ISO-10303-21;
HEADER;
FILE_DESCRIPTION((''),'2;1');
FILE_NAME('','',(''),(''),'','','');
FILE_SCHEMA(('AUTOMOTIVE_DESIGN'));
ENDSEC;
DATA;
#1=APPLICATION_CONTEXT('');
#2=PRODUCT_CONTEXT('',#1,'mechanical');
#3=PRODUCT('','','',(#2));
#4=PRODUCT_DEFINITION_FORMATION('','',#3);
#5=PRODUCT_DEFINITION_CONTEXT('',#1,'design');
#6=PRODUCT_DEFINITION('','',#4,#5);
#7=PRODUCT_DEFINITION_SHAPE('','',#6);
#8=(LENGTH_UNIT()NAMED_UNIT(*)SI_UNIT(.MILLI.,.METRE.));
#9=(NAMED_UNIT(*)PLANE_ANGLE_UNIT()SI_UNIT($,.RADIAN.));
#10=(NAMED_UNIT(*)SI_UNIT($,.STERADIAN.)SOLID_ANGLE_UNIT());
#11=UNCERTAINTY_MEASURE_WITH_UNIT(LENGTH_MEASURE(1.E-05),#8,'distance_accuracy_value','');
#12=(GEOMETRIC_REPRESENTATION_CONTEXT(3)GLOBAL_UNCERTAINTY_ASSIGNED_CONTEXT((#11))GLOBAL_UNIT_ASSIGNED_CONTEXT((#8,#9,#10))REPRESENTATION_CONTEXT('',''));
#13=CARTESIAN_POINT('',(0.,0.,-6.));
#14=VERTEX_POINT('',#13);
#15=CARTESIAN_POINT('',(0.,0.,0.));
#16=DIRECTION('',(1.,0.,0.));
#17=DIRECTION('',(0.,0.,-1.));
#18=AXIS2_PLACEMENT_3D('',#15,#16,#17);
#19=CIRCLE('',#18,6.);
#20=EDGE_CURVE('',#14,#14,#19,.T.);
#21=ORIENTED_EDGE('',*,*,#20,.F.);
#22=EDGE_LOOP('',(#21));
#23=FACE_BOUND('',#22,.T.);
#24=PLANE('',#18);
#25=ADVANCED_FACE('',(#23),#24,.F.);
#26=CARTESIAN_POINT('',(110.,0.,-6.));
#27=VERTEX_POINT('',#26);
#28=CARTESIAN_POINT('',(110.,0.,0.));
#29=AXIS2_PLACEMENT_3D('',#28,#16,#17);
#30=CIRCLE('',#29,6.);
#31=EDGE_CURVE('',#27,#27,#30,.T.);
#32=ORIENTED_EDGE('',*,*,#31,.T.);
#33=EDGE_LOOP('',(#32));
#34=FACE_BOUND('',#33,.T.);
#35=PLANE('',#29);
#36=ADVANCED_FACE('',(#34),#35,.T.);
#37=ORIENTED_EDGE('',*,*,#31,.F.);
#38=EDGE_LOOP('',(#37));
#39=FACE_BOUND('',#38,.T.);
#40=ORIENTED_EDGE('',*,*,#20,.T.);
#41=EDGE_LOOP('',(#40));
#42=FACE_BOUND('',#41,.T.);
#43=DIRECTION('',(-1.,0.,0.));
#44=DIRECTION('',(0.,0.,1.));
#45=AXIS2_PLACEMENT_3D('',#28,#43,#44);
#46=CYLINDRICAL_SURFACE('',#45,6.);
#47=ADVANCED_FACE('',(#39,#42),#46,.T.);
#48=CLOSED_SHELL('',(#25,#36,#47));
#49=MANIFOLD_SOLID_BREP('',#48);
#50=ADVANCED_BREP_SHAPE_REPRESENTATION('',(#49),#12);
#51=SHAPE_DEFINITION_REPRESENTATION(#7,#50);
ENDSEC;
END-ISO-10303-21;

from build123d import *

# Parameters (mm, degrees)
IZIM1_R                     = 6
Y_KSEKLIK_EKSTR_ZYON1_DEPTH = 110


with BuildPart() as part:
    # Çizim1 → Yükseklik-Ekstrüzyon1 (new body)
    with BuildSketch(Plane(origin=(0, 0, 0), x_dir=(0, 0, -1), z_dir=(1, 0, 0))):
        Circle(IZIM1_R)
    extrude(amount=Y_KSEKLIK_EKSTR_ZYON1_DEPTH)


solid = part.part
